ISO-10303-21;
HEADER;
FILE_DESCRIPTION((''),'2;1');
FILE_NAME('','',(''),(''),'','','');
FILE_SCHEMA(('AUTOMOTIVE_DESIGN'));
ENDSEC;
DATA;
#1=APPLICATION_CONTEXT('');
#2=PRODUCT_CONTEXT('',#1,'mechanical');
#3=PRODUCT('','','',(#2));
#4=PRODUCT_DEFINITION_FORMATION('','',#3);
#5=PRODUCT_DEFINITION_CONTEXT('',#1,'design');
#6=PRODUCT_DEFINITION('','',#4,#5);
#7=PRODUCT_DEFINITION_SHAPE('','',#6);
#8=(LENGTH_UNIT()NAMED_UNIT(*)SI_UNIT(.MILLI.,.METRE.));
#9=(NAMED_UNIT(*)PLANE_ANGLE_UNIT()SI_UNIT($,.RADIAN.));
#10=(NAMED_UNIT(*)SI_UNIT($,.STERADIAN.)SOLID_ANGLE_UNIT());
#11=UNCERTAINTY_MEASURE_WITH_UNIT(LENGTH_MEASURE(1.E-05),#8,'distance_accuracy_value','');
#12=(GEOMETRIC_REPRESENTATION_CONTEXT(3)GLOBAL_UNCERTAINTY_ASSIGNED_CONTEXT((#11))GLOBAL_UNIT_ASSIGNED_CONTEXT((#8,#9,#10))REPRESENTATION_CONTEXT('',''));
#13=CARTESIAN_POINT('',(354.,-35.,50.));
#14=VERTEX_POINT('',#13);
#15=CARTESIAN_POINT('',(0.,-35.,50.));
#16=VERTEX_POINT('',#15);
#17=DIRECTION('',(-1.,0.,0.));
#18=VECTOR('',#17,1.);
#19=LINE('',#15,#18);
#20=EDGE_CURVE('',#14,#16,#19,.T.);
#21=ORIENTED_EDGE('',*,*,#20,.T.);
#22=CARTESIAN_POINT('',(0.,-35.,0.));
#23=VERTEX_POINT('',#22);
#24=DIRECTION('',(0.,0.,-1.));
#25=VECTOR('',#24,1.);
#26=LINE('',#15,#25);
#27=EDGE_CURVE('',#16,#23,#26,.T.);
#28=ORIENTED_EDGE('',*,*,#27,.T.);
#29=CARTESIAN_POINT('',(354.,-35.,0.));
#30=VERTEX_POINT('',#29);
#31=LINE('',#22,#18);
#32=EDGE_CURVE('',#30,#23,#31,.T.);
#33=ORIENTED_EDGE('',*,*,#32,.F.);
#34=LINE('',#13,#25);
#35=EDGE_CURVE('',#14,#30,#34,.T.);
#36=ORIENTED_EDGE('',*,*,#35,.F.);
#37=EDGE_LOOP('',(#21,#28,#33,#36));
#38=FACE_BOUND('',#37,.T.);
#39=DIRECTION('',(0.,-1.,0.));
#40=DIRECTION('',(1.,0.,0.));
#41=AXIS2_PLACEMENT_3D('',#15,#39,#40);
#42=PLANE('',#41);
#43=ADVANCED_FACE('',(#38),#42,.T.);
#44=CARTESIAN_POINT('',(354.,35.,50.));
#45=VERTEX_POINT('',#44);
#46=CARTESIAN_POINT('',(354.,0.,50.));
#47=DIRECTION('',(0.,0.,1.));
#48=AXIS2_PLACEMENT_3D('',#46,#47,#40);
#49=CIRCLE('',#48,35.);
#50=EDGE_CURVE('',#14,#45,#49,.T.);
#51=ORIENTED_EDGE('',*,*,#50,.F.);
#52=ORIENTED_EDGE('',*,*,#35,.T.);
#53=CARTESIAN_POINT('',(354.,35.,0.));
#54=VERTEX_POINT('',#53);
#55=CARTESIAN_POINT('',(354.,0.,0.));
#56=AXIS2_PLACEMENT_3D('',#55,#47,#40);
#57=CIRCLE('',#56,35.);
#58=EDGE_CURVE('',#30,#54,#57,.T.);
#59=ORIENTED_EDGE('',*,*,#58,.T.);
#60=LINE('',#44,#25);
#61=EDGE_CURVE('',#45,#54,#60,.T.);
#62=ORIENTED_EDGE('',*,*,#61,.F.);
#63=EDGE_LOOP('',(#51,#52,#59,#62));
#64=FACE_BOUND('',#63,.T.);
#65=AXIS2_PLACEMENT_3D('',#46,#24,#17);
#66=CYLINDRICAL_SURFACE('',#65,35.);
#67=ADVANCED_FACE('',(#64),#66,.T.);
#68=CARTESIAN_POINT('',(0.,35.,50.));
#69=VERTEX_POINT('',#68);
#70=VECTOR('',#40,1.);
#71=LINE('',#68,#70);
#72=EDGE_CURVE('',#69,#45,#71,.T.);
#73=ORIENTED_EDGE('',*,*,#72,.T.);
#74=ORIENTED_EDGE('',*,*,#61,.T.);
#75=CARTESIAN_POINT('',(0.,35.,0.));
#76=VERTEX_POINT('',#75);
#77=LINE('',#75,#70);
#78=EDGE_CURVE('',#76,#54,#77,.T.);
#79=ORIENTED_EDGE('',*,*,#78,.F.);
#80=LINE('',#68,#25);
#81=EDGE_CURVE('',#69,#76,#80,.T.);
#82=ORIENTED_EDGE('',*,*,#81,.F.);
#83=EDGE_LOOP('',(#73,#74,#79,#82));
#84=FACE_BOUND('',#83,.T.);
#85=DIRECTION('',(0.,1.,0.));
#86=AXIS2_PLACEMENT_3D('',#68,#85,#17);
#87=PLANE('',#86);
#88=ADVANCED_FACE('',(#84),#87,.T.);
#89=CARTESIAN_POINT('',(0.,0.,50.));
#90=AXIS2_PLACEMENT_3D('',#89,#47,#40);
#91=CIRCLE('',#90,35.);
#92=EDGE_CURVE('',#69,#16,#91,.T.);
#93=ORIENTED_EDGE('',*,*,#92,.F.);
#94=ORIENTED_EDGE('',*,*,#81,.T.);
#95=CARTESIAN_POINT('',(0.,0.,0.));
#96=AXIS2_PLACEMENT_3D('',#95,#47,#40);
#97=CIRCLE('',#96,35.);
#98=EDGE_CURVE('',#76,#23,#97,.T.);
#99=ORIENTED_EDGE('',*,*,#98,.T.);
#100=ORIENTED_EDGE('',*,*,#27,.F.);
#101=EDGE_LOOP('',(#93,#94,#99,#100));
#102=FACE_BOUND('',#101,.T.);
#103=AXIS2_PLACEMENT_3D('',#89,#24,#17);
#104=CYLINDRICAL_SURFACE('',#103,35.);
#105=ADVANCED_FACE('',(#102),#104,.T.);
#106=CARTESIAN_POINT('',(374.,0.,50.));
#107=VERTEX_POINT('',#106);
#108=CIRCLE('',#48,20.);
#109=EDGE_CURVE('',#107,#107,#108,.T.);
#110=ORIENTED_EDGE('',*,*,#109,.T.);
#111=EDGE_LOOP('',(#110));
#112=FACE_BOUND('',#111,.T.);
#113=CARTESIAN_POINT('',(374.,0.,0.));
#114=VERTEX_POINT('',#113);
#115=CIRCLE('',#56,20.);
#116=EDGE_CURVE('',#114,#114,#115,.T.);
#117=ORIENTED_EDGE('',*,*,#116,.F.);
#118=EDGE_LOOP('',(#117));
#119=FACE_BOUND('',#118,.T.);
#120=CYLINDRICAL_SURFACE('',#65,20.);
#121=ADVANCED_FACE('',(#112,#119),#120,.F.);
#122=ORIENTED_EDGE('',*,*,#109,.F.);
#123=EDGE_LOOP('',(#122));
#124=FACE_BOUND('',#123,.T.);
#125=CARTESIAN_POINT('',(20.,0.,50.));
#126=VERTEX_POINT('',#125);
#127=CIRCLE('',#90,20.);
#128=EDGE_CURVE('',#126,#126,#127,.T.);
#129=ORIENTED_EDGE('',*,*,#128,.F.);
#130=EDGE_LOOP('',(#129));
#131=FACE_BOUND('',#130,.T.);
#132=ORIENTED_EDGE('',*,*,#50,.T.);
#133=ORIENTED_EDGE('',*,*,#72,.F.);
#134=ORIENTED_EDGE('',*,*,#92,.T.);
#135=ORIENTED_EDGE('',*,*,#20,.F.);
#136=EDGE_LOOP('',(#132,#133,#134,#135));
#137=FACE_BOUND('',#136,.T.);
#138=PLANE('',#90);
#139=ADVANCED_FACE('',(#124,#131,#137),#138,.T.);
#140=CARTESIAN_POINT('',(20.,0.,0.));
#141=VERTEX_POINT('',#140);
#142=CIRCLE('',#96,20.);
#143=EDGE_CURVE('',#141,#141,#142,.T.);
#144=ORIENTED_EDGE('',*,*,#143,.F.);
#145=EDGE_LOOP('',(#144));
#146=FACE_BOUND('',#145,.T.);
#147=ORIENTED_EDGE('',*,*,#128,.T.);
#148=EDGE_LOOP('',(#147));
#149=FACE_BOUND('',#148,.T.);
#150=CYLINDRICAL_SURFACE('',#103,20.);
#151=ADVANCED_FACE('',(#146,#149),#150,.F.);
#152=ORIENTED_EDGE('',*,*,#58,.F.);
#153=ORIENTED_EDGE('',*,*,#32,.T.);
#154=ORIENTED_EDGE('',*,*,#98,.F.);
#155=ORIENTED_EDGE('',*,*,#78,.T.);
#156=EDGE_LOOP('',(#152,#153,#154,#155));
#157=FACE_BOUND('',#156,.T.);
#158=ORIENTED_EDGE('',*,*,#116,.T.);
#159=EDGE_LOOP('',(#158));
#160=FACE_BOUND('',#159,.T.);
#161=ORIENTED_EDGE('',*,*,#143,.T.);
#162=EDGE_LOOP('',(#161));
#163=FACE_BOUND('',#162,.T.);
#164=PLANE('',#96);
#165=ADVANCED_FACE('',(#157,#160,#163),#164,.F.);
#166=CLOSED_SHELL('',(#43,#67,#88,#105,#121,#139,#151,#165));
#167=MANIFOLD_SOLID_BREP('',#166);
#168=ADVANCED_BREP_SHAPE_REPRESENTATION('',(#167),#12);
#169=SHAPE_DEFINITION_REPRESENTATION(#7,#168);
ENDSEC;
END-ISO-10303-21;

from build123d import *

# Parameters (mm, degrees)
SKETCH_2_R      = 20
EXTRUDE_1_DEPTH = 50


with BuildPart() as part:
    # 草图2 → 凸台-拉伸1 (new body)
    with BuildSketch(Plane.XY):
        with BuildLine():
            Line((0, 35), (354, 35))
            ThreePointArc((354, 35), (389, 0), (354, -35))
            Line((354, -35), (0, -35))
            ThreePointArc((0, -35), (-35, 0), (0, 35))
        make_face()
        Circle(SKETCH_2_R, mode=Mode.SUBTRACT)
        with Locations((354, 0)):
            Circle(SKETCH_2_R, mode=Mode.SUBTRACT)
    extrude(amount=EXTRUDE_1_DEPTH)


solid = part.part
